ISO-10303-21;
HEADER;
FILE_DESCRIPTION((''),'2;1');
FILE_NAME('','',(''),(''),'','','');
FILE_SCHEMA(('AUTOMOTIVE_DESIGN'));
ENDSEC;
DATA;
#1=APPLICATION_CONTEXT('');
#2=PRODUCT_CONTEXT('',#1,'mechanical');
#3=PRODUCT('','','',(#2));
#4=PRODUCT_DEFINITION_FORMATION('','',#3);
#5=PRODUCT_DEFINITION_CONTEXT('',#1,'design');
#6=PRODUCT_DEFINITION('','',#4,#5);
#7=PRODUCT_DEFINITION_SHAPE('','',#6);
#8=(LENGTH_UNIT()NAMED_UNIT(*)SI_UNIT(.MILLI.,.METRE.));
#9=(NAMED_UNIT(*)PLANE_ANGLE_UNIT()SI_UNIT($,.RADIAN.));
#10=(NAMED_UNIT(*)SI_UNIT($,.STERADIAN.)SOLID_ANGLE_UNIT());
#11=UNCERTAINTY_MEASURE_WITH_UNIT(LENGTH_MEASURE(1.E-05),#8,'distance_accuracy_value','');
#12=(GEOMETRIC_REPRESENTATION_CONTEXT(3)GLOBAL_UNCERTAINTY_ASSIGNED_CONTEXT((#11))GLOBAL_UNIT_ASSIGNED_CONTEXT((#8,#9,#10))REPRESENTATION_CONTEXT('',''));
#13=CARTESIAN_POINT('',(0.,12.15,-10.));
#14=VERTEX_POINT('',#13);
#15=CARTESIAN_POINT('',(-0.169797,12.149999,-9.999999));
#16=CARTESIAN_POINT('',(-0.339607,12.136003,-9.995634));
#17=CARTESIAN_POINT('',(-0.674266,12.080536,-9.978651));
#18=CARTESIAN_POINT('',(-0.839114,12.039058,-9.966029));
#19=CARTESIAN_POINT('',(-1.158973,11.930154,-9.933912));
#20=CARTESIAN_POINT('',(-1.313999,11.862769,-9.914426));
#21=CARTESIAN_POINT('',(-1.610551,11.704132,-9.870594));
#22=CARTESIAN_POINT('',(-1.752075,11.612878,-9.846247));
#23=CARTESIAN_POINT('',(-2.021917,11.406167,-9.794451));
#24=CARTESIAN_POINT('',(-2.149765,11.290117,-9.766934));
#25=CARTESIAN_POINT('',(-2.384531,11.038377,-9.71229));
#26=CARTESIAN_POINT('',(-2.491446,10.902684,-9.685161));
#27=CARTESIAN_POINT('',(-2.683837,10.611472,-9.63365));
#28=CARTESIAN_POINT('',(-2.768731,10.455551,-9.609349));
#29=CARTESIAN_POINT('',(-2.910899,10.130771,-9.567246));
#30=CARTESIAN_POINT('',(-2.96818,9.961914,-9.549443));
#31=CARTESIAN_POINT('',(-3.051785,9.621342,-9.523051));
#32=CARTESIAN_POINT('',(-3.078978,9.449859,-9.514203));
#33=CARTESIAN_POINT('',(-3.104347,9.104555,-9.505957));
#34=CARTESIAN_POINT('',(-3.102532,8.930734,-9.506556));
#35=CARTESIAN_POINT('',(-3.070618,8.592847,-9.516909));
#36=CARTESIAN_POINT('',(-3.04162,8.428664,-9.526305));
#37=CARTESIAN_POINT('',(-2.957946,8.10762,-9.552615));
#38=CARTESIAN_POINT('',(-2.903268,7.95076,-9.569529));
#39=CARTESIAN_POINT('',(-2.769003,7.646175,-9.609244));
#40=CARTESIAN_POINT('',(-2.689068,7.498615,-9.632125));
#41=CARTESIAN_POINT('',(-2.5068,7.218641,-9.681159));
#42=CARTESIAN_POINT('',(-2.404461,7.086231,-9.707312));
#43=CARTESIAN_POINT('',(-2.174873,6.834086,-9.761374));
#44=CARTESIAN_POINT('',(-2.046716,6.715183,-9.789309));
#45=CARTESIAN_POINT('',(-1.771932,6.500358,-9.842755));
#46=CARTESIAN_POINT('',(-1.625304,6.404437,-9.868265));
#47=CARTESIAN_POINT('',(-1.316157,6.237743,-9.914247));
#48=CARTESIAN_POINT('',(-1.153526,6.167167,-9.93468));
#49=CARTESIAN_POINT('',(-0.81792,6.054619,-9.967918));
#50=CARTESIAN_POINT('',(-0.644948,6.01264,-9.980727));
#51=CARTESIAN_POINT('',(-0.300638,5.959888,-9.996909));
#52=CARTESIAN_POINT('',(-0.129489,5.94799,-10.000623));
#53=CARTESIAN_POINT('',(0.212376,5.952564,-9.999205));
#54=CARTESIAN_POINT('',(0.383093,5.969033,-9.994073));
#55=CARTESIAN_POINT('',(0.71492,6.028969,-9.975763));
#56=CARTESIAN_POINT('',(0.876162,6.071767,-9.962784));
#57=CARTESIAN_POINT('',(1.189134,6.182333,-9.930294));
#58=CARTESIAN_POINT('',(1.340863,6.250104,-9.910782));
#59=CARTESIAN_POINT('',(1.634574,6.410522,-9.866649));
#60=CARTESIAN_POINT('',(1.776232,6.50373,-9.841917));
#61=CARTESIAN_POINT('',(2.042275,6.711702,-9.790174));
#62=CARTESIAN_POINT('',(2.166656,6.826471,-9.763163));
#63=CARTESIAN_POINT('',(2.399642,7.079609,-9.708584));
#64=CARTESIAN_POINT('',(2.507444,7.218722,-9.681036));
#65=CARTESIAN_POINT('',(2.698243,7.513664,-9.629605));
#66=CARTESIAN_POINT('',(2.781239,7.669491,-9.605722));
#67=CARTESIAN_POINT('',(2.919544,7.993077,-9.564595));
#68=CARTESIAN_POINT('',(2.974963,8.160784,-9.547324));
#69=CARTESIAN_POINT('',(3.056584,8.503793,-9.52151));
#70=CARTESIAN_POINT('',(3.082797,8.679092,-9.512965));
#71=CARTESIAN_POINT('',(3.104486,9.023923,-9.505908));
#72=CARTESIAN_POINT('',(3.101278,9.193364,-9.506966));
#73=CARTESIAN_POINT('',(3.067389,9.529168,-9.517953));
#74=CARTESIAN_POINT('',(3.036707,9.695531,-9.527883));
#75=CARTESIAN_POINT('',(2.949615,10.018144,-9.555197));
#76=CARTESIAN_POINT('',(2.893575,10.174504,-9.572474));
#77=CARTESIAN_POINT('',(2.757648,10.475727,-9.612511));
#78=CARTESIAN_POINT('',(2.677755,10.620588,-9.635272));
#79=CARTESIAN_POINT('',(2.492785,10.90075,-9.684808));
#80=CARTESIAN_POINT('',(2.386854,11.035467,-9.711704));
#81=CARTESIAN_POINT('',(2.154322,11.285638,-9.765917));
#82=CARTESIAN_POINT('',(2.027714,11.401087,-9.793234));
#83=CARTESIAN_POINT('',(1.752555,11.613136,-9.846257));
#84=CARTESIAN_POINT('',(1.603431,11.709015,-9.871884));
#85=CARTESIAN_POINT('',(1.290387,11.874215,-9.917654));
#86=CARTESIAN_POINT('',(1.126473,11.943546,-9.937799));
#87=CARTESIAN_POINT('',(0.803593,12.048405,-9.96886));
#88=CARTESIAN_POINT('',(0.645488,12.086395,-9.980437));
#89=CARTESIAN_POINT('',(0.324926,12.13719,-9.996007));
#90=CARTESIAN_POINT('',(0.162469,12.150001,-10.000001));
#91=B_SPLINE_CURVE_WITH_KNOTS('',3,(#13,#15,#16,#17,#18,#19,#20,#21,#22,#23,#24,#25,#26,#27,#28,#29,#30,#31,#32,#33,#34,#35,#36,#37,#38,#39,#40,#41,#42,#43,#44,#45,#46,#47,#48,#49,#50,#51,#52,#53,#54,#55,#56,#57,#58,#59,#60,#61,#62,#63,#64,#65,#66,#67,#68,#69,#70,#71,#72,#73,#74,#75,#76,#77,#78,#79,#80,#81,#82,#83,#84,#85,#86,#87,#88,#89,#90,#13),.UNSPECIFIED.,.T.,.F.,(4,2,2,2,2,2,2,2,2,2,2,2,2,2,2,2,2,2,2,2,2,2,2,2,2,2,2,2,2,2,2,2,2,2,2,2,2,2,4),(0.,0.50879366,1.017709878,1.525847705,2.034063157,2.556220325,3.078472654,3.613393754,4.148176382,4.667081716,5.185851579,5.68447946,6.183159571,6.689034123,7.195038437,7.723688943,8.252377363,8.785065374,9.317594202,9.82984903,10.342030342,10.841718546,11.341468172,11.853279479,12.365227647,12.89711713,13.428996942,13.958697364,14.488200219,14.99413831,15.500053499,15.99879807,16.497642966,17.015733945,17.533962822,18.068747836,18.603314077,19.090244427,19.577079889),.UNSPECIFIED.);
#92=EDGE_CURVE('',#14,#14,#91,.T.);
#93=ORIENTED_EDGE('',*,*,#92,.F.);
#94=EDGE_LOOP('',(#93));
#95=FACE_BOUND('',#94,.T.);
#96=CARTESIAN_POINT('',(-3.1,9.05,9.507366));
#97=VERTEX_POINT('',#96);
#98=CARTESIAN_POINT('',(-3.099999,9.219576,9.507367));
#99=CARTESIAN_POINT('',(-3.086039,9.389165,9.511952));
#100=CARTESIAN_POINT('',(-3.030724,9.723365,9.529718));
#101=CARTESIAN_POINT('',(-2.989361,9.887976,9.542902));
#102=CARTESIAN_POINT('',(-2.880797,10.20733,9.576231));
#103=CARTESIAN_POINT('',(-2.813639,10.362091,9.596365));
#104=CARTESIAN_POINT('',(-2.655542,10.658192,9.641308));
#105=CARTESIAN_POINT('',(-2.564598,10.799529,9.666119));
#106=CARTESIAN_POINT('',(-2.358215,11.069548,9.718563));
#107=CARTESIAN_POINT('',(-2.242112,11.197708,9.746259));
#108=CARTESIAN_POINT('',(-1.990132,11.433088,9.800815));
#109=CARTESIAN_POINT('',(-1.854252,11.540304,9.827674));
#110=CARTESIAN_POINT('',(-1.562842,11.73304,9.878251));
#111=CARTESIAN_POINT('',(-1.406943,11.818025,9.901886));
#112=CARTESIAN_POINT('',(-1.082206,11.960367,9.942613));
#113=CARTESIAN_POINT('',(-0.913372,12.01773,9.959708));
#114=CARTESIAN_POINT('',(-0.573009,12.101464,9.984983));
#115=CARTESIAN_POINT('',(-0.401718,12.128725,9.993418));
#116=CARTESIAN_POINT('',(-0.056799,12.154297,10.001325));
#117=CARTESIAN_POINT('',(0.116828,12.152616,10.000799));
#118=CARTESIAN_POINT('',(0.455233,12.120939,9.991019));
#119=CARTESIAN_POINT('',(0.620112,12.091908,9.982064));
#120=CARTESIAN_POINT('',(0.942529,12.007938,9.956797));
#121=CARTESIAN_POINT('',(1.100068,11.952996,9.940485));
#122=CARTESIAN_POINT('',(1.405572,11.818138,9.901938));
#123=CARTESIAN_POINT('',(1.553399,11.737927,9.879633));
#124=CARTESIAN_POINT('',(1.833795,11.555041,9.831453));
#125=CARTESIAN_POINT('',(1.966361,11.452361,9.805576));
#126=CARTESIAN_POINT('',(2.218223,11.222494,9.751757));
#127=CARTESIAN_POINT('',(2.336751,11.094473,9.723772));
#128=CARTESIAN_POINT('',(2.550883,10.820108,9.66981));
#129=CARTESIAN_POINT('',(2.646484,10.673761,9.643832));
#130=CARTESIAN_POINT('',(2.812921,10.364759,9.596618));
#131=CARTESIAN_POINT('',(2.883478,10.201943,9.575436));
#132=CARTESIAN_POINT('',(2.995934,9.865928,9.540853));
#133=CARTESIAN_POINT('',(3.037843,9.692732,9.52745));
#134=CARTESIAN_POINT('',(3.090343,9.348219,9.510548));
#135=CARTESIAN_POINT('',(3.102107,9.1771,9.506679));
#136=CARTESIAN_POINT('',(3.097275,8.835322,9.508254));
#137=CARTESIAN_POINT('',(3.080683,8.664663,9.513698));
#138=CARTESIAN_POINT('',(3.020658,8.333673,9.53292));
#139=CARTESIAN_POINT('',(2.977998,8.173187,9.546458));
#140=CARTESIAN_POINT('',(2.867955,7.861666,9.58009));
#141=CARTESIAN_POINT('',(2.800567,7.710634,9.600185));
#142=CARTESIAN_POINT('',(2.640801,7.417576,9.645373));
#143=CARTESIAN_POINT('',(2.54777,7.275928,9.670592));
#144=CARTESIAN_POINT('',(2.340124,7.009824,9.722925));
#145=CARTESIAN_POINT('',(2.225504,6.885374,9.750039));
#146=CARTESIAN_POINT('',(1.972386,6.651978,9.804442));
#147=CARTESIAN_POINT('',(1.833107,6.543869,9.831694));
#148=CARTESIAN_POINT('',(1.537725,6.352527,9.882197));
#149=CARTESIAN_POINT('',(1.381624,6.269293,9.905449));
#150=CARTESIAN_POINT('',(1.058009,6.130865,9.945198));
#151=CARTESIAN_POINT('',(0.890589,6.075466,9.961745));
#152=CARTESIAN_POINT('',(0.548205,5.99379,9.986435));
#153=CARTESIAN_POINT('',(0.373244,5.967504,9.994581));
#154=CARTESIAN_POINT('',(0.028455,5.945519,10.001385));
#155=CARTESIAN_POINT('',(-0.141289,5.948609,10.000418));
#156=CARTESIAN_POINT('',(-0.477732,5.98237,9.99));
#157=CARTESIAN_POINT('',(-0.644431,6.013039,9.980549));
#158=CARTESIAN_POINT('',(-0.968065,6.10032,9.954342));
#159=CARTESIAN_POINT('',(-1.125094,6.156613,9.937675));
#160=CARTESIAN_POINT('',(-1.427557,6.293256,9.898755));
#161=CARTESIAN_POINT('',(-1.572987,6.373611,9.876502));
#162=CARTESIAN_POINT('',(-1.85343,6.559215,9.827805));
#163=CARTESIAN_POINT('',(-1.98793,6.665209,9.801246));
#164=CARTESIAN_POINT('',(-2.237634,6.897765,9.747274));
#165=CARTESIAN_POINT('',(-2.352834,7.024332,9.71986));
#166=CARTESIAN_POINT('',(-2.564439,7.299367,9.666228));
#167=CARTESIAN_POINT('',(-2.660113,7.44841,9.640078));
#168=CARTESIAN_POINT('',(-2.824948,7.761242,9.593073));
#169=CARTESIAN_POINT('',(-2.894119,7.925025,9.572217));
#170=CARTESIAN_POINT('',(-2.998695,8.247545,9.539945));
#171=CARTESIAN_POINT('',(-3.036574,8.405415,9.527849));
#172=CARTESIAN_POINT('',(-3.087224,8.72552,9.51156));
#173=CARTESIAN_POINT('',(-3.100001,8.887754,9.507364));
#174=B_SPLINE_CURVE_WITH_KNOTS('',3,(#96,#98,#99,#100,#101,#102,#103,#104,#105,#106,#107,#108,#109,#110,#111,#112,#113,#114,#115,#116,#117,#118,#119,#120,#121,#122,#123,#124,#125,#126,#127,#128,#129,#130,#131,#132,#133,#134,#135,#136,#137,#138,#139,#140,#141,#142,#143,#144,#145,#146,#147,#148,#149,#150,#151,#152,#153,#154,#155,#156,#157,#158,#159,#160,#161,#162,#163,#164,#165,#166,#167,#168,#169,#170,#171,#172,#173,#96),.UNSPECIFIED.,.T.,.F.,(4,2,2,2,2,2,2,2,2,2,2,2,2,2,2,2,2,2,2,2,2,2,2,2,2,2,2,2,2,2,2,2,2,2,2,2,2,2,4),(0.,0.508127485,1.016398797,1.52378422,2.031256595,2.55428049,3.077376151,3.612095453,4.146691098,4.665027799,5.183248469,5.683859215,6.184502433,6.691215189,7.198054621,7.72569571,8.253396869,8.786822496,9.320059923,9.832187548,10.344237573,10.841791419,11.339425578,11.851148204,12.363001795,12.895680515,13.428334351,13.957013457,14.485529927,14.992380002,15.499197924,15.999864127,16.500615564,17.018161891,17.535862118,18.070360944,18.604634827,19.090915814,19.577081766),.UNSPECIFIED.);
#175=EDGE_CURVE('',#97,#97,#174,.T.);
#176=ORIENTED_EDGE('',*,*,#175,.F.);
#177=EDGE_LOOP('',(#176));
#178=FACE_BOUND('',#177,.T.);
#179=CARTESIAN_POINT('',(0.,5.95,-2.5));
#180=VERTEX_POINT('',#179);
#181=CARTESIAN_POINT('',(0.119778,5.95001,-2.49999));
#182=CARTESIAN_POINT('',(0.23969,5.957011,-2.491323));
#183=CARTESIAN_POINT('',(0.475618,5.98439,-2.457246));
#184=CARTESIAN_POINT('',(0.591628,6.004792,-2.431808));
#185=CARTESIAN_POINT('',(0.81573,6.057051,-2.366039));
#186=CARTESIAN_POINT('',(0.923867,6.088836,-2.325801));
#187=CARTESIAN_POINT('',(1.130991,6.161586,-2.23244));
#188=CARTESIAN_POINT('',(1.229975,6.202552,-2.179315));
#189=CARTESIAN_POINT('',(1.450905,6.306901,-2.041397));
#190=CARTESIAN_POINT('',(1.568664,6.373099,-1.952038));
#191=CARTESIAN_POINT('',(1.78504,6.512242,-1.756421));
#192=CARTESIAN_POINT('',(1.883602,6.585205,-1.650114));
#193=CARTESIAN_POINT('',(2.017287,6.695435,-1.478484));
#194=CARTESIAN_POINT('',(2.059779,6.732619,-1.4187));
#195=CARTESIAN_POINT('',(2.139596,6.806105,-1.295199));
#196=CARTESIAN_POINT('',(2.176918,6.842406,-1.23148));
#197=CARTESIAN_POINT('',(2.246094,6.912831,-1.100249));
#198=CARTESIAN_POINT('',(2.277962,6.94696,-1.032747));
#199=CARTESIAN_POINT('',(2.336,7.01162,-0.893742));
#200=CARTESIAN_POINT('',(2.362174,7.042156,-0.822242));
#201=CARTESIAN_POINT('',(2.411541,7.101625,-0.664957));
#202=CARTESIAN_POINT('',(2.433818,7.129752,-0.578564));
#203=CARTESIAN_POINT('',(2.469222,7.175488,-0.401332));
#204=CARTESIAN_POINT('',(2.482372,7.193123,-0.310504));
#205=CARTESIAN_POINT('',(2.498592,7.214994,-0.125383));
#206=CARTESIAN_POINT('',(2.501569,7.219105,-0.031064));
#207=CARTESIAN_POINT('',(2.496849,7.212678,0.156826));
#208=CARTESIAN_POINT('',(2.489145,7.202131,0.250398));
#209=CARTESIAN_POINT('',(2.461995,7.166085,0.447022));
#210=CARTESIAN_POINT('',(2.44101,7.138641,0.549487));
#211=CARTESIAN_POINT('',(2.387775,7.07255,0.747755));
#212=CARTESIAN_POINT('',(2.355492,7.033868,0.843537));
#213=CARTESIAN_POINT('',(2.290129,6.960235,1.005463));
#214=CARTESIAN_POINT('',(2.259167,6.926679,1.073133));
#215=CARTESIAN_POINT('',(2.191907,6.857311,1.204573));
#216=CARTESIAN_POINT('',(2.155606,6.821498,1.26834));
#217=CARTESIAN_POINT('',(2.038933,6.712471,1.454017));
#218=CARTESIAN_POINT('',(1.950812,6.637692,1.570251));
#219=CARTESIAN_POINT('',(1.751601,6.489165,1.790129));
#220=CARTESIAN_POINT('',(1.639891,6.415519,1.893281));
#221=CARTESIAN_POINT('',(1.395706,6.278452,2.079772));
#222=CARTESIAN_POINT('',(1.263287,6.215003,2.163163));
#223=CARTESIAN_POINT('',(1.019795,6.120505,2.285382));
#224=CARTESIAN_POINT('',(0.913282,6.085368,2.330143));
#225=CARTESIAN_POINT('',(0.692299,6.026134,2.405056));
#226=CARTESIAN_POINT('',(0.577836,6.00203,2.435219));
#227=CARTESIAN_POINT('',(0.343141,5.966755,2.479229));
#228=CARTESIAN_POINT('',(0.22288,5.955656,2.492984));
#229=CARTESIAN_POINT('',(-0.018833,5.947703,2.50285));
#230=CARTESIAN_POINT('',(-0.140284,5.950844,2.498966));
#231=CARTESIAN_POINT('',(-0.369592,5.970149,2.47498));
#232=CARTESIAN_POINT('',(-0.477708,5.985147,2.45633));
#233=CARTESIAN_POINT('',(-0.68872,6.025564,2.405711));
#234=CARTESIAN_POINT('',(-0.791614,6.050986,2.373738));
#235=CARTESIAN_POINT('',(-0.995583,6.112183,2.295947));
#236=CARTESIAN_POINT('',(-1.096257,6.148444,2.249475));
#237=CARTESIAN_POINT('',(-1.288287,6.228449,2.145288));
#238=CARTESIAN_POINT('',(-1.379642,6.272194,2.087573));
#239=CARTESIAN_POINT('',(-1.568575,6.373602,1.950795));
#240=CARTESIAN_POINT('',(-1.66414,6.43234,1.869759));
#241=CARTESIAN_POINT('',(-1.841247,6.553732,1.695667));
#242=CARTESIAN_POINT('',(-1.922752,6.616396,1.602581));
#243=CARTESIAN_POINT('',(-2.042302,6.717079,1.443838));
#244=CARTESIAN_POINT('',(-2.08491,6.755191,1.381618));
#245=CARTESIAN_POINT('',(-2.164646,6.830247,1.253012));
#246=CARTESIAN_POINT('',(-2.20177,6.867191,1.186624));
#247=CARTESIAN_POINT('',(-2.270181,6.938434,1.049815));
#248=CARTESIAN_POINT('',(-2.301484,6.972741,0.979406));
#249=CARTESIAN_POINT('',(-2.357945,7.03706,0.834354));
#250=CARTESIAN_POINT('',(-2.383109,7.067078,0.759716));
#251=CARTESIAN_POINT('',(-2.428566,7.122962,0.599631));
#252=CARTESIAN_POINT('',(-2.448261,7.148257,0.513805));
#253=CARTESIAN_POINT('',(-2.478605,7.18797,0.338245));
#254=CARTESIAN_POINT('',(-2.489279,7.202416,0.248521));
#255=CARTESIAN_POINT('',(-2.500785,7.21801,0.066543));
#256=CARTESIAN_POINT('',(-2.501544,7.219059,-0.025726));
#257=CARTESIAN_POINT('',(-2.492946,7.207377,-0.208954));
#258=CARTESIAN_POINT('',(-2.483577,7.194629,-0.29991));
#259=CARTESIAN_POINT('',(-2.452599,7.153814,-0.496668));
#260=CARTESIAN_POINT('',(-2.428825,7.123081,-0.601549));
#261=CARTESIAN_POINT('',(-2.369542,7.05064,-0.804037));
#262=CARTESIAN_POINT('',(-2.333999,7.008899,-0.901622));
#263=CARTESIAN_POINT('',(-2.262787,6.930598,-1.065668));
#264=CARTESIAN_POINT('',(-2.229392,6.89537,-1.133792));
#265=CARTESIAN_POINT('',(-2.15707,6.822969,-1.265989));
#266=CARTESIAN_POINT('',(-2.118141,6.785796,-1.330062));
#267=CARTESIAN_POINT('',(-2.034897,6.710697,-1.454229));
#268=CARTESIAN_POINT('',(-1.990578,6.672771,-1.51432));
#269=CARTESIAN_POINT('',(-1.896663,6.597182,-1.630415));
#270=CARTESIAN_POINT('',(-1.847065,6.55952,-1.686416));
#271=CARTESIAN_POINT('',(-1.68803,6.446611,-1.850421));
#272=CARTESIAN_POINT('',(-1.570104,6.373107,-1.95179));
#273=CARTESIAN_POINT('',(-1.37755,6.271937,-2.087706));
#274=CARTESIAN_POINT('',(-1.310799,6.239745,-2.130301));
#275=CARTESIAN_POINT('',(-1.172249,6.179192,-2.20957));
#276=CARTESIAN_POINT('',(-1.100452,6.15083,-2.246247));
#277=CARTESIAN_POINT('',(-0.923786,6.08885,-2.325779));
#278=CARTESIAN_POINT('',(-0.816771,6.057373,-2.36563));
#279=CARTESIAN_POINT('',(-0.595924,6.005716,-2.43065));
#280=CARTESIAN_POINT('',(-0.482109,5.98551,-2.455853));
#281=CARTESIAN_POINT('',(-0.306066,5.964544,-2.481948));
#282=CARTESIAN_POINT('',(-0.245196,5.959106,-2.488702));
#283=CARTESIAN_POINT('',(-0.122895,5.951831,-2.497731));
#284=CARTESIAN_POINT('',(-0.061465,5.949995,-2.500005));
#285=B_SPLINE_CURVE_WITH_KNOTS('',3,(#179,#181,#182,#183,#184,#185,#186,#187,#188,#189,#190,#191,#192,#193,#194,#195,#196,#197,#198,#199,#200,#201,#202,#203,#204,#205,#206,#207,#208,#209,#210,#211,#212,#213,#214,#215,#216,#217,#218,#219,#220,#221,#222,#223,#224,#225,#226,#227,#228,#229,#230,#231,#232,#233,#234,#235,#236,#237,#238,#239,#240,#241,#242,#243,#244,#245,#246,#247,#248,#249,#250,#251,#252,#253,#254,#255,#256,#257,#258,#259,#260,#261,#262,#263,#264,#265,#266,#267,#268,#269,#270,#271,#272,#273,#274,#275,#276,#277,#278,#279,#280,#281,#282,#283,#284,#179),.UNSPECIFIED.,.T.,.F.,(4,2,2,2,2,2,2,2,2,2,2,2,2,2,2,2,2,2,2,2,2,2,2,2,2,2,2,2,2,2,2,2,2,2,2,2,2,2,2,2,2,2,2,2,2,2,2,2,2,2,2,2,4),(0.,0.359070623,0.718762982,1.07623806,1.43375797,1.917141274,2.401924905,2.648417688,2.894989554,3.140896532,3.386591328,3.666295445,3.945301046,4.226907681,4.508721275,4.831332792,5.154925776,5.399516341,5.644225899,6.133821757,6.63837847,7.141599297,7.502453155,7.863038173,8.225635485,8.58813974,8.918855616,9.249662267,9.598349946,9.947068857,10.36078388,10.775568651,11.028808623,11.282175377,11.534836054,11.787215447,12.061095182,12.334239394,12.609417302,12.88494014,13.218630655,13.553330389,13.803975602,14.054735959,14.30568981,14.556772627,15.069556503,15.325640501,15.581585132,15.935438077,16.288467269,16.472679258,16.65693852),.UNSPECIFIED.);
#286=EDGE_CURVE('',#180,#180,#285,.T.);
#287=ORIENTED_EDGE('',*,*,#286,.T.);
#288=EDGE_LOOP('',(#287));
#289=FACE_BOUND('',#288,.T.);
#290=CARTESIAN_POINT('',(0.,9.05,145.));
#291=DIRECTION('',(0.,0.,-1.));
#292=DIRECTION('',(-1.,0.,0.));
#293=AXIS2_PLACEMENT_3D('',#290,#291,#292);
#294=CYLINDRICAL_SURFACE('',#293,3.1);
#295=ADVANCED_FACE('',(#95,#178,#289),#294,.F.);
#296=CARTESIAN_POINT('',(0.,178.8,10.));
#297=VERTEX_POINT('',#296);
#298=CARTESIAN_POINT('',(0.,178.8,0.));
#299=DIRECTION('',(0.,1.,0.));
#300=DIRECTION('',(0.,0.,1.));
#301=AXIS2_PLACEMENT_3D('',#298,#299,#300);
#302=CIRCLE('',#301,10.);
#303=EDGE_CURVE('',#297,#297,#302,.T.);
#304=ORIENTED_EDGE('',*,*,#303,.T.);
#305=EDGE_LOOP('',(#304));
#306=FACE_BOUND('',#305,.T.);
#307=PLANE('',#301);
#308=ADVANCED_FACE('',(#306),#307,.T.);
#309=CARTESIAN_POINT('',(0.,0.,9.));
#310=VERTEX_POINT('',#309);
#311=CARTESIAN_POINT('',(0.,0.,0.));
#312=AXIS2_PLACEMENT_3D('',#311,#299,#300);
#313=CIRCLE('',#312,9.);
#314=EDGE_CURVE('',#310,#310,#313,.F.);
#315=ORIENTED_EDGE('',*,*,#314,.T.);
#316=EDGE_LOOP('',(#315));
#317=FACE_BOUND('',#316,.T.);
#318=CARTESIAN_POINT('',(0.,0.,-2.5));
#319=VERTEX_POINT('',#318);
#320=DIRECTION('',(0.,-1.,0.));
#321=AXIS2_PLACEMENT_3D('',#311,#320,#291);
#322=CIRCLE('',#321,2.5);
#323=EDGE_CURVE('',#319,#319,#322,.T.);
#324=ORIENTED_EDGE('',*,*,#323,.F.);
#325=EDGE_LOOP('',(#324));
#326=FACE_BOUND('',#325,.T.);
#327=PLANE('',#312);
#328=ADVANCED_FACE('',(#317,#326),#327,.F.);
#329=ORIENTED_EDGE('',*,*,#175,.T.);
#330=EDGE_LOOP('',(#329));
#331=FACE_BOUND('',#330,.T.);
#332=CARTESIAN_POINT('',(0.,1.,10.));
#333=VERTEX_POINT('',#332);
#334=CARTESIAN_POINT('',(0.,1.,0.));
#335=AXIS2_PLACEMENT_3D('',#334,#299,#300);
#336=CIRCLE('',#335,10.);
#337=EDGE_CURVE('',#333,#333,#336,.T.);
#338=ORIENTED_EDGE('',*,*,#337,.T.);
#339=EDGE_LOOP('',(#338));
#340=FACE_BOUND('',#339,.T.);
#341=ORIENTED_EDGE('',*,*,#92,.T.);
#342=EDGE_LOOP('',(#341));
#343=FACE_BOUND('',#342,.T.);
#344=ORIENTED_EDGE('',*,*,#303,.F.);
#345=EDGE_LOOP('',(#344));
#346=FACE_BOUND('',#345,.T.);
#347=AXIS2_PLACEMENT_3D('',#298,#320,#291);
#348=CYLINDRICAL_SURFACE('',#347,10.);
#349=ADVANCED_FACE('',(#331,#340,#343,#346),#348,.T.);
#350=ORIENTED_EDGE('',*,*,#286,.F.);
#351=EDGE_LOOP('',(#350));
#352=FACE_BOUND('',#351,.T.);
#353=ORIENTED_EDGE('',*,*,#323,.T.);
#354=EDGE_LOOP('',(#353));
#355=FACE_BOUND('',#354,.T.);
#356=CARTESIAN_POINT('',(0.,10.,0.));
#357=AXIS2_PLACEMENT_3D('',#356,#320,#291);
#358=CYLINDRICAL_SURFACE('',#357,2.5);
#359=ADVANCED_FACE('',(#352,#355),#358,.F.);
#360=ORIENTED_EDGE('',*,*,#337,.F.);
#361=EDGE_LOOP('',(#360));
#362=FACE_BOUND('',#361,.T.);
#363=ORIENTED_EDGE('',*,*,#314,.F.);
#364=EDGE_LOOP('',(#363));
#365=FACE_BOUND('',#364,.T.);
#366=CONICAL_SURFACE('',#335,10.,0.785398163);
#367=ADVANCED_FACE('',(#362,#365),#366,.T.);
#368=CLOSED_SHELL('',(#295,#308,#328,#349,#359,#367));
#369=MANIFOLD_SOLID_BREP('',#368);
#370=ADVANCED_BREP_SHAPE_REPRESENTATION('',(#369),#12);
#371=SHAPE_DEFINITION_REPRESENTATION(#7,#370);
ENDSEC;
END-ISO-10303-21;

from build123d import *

# Parameters (mm, degrees)
SKETCH1_R           = 10
BOSS_EXTRUDE1_DEPTH = 178.8
CHAMFER1_SIZE       = 1
SKETCH2_R           = 3.1
CUT_EXTRUDE1_DEPTH  = 155
SKETCH_1_R          = 2.5
CUT_EXTRUDE_1_DEPTH = 10


with BuildPart() as part:
    # Sketch1 → Boss-Extrude1 (new body)
    with BuildSketch(Plane(origin=(0, 0, 0), x_dir=(1, 0, 0), z_dir=(0, 1, 0))):
        with Locations(Location((0, 0, 0), (0, 0, 90))):
            Circle(SKETCH1_R)
    extrude(amount=BOSS_EXTRUDE1_DEPTH)

    # Chamfer1
    chamfer1_edges = [part.edges().sort_by_distance(p)[0] for p in [
        (0, 0, 10),
    ]]
    chamfer(chamfer1_edges, length=CHAMFER1_SIZE)

    # Sketch2 → Cut-Extrude1 (cut)
    with BuildSketch(Plane(origin=(0, 0, -10), x_dir=(-1, 0, 0), z_dir=(0, 0, -1))):
        with Locations((0, 9.05)):
            Circle(SKETCH2_R)
    extrude(amount=-CUT_EXTRUDE1_DEPTH, mode=Mode.SUBTRACT)

    # 草图1 → 切除-拉伸1 (cut)
    with BuildSketch(Plane.XZ):
        with Locations(Location((0, 0, 0), (0, 0, 270))):
            Circle(SKETCH_1_R)
    extrude(amount=-CUT_EXTRUDE_1_DEPTH, mode=Mode.SUBTRACT)


solid = part.part
